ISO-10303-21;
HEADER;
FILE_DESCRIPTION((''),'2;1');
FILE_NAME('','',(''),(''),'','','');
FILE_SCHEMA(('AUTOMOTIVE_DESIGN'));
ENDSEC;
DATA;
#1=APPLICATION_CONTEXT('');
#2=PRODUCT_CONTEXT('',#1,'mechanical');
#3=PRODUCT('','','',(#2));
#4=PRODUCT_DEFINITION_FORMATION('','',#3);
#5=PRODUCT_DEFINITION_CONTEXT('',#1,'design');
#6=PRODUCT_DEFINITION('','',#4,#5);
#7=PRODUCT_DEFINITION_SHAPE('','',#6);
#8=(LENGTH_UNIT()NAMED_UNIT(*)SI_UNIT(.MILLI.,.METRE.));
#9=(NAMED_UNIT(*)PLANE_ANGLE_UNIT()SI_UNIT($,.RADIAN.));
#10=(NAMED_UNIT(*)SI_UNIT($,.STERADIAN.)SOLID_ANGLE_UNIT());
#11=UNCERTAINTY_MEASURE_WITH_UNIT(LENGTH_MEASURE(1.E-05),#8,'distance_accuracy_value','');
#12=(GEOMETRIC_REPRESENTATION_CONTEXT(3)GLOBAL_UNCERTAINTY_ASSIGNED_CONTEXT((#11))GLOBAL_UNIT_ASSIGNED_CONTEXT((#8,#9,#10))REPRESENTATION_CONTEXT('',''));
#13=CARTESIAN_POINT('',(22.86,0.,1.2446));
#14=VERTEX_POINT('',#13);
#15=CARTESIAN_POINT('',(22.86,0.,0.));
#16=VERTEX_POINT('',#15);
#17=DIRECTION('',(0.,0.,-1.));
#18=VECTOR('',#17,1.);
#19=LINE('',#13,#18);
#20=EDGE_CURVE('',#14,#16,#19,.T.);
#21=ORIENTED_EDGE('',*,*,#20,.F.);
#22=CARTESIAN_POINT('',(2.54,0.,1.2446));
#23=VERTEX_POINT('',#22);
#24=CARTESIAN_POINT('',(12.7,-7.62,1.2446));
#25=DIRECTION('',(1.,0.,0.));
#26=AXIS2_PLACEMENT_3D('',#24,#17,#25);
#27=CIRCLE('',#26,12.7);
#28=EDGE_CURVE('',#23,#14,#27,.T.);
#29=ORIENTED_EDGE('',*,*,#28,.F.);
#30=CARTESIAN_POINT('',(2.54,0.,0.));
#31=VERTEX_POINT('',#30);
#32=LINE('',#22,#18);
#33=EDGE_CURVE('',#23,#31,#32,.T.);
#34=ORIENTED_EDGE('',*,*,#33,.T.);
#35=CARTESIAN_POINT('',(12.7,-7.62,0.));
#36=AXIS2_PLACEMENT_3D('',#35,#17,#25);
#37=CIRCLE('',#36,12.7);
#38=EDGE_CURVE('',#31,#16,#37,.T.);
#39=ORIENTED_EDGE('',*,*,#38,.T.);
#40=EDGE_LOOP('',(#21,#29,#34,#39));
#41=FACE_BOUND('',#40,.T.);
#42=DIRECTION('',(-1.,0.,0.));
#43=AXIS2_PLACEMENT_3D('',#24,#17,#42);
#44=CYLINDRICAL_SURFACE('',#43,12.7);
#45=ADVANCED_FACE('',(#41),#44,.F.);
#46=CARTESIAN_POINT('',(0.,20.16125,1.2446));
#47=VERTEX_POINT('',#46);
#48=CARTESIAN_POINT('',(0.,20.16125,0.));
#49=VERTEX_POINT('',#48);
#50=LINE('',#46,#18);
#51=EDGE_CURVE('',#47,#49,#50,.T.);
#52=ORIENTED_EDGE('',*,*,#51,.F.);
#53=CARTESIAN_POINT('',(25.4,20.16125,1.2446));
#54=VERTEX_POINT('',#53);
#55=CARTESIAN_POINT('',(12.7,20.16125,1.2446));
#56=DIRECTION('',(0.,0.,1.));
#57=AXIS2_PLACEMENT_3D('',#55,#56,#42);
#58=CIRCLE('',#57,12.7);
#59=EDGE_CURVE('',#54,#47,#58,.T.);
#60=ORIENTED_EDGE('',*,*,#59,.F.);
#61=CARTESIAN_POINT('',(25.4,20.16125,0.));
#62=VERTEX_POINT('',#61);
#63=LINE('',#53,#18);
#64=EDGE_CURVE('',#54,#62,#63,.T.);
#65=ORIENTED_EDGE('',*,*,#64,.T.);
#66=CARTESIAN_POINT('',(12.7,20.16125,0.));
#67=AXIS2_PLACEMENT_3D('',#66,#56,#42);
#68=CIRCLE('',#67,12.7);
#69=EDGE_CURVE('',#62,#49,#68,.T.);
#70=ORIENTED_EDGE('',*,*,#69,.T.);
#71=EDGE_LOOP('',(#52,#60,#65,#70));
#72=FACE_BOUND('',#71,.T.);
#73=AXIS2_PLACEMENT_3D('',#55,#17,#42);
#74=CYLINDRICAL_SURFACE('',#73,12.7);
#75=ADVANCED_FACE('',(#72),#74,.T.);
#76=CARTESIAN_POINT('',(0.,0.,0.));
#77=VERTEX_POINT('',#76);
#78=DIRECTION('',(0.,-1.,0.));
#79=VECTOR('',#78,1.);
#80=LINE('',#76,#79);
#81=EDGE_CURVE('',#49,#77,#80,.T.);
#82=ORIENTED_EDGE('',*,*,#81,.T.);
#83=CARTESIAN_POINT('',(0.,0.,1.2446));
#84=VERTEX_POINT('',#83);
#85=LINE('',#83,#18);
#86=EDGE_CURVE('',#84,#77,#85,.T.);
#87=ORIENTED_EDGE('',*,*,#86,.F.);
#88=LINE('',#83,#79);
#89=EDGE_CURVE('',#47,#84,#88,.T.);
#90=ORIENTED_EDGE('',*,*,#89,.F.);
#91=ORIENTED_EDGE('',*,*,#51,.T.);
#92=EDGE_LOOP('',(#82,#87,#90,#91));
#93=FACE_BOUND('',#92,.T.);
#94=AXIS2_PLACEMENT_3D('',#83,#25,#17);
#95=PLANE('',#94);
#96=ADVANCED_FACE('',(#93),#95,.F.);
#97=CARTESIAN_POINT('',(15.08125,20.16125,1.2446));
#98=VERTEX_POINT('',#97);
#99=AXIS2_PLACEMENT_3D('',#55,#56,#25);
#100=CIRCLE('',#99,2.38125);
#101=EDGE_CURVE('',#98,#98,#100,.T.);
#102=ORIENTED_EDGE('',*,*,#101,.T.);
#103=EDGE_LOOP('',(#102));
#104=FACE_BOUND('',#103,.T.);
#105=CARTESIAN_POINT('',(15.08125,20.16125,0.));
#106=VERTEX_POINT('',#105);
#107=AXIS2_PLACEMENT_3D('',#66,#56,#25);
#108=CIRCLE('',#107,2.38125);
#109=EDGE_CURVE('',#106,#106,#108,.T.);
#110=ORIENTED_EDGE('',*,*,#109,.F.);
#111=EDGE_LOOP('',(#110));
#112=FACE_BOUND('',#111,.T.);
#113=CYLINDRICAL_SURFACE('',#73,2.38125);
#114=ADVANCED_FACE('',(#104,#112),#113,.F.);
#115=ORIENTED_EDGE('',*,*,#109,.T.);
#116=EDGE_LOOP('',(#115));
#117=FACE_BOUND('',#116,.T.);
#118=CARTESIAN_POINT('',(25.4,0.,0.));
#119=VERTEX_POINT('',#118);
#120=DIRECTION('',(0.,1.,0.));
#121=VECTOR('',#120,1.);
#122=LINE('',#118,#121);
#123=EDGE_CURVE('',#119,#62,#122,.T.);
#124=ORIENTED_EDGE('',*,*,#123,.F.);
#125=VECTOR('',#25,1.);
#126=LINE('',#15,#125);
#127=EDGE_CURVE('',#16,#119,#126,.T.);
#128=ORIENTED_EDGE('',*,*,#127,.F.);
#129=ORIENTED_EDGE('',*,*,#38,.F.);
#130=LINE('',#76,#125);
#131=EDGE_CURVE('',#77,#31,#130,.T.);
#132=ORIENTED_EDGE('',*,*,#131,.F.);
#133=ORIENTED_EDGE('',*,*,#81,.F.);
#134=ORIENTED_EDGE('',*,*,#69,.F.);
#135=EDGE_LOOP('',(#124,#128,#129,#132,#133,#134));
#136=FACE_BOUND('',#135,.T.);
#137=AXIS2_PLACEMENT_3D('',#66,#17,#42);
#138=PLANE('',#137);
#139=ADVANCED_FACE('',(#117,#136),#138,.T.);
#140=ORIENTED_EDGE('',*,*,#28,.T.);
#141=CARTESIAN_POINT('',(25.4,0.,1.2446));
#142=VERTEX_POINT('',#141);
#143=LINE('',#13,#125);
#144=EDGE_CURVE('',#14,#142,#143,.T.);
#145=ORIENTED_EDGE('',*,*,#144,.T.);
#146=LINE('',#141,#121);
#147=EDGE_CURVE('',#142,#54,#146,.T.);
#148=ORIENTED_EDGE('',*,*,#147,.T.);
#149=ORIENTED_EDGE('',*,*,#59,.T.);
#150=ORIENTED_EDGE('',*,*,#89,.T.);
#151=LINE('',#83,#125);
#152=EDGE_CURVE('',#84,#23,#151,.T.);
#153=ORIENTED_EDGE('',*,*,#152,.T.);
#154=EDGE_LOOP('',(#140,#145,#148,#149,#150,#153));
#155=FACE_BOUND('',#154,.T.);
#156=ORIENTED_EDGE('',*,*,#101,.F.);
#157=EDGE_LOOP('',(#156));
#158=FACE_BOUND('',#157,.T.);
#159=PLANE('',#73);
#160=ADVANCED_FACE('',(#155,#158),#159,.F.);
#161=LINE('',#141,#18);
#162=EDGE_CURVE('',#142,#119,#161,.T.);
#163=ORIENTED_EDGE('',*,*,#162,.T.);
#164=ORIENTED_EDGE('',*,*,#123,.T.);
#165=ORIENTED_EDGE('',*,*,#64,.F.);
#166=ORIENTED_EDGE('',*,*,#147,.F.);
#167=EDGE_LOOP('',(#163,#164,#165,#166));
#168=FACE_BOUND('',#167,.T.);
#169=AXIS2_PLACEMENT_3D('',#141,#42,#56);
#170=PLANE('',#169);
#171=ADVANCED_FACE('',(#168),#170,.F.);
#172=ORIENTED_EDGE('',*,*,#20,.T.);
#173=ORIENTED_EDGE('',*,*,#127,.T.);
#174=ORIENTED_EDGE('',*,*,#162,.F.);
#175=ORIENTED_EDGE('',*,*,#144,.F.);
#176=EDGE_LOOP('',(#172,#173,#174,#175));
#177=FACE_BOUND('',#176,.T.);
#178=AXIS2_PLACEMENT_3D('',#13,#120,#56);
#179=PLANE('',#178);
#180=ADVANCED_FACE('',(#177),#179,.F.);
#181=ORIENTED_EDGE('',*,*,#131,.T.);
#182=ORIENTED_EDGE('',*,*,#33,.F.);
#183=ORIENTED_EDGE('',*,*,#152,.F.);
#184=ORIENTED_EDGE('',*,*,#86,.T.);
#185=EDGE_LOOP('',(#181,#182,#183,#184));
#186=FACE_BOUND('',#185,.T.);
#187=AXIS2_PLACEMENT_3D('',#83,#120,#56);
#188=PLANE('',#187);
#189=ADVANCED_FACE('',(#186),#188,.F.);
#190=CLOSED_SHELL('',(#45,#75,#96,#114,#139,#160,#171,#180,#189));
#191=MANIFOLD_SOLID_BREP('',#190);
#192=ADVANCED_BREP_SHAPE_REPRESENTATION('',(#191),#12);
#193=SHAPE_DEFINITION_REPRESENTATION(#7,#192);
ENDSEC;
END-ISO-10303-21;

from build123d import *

# Parameters (mm, degrees)
SKETCH1_R           = 2.38125
BOSS_EXTRUDE1_DEPTH = 1.2446


with BuildPart() as part:
    # Sketch1 → Boss-Extrude1 (new body)
    with BuildSketch(Plane.XY):
        with BuildLine():
            Line((0, 0), (2.54, 0))
            ThreePointArc((2.54, 0), (12.7, 5.08), (22.86, 0))
            Line((22.86, 0), (25.4, 0))
            Line((25.4, 0), (25.4, 20.16125))
            ThreePointArc((25.4, 20.16125), (12.7, 32.86125), (0, 20.16125))
            Line((0, 20.16125), (0, 0))
        make_face()
        with Locations((12.7, 20.16125)):
            Circle(SKETCH1_R, mode=Mode.SUBTRACT)
    extrude(amount=BOSS_EXTRUDE1_DEPTH)


solid = part.part
